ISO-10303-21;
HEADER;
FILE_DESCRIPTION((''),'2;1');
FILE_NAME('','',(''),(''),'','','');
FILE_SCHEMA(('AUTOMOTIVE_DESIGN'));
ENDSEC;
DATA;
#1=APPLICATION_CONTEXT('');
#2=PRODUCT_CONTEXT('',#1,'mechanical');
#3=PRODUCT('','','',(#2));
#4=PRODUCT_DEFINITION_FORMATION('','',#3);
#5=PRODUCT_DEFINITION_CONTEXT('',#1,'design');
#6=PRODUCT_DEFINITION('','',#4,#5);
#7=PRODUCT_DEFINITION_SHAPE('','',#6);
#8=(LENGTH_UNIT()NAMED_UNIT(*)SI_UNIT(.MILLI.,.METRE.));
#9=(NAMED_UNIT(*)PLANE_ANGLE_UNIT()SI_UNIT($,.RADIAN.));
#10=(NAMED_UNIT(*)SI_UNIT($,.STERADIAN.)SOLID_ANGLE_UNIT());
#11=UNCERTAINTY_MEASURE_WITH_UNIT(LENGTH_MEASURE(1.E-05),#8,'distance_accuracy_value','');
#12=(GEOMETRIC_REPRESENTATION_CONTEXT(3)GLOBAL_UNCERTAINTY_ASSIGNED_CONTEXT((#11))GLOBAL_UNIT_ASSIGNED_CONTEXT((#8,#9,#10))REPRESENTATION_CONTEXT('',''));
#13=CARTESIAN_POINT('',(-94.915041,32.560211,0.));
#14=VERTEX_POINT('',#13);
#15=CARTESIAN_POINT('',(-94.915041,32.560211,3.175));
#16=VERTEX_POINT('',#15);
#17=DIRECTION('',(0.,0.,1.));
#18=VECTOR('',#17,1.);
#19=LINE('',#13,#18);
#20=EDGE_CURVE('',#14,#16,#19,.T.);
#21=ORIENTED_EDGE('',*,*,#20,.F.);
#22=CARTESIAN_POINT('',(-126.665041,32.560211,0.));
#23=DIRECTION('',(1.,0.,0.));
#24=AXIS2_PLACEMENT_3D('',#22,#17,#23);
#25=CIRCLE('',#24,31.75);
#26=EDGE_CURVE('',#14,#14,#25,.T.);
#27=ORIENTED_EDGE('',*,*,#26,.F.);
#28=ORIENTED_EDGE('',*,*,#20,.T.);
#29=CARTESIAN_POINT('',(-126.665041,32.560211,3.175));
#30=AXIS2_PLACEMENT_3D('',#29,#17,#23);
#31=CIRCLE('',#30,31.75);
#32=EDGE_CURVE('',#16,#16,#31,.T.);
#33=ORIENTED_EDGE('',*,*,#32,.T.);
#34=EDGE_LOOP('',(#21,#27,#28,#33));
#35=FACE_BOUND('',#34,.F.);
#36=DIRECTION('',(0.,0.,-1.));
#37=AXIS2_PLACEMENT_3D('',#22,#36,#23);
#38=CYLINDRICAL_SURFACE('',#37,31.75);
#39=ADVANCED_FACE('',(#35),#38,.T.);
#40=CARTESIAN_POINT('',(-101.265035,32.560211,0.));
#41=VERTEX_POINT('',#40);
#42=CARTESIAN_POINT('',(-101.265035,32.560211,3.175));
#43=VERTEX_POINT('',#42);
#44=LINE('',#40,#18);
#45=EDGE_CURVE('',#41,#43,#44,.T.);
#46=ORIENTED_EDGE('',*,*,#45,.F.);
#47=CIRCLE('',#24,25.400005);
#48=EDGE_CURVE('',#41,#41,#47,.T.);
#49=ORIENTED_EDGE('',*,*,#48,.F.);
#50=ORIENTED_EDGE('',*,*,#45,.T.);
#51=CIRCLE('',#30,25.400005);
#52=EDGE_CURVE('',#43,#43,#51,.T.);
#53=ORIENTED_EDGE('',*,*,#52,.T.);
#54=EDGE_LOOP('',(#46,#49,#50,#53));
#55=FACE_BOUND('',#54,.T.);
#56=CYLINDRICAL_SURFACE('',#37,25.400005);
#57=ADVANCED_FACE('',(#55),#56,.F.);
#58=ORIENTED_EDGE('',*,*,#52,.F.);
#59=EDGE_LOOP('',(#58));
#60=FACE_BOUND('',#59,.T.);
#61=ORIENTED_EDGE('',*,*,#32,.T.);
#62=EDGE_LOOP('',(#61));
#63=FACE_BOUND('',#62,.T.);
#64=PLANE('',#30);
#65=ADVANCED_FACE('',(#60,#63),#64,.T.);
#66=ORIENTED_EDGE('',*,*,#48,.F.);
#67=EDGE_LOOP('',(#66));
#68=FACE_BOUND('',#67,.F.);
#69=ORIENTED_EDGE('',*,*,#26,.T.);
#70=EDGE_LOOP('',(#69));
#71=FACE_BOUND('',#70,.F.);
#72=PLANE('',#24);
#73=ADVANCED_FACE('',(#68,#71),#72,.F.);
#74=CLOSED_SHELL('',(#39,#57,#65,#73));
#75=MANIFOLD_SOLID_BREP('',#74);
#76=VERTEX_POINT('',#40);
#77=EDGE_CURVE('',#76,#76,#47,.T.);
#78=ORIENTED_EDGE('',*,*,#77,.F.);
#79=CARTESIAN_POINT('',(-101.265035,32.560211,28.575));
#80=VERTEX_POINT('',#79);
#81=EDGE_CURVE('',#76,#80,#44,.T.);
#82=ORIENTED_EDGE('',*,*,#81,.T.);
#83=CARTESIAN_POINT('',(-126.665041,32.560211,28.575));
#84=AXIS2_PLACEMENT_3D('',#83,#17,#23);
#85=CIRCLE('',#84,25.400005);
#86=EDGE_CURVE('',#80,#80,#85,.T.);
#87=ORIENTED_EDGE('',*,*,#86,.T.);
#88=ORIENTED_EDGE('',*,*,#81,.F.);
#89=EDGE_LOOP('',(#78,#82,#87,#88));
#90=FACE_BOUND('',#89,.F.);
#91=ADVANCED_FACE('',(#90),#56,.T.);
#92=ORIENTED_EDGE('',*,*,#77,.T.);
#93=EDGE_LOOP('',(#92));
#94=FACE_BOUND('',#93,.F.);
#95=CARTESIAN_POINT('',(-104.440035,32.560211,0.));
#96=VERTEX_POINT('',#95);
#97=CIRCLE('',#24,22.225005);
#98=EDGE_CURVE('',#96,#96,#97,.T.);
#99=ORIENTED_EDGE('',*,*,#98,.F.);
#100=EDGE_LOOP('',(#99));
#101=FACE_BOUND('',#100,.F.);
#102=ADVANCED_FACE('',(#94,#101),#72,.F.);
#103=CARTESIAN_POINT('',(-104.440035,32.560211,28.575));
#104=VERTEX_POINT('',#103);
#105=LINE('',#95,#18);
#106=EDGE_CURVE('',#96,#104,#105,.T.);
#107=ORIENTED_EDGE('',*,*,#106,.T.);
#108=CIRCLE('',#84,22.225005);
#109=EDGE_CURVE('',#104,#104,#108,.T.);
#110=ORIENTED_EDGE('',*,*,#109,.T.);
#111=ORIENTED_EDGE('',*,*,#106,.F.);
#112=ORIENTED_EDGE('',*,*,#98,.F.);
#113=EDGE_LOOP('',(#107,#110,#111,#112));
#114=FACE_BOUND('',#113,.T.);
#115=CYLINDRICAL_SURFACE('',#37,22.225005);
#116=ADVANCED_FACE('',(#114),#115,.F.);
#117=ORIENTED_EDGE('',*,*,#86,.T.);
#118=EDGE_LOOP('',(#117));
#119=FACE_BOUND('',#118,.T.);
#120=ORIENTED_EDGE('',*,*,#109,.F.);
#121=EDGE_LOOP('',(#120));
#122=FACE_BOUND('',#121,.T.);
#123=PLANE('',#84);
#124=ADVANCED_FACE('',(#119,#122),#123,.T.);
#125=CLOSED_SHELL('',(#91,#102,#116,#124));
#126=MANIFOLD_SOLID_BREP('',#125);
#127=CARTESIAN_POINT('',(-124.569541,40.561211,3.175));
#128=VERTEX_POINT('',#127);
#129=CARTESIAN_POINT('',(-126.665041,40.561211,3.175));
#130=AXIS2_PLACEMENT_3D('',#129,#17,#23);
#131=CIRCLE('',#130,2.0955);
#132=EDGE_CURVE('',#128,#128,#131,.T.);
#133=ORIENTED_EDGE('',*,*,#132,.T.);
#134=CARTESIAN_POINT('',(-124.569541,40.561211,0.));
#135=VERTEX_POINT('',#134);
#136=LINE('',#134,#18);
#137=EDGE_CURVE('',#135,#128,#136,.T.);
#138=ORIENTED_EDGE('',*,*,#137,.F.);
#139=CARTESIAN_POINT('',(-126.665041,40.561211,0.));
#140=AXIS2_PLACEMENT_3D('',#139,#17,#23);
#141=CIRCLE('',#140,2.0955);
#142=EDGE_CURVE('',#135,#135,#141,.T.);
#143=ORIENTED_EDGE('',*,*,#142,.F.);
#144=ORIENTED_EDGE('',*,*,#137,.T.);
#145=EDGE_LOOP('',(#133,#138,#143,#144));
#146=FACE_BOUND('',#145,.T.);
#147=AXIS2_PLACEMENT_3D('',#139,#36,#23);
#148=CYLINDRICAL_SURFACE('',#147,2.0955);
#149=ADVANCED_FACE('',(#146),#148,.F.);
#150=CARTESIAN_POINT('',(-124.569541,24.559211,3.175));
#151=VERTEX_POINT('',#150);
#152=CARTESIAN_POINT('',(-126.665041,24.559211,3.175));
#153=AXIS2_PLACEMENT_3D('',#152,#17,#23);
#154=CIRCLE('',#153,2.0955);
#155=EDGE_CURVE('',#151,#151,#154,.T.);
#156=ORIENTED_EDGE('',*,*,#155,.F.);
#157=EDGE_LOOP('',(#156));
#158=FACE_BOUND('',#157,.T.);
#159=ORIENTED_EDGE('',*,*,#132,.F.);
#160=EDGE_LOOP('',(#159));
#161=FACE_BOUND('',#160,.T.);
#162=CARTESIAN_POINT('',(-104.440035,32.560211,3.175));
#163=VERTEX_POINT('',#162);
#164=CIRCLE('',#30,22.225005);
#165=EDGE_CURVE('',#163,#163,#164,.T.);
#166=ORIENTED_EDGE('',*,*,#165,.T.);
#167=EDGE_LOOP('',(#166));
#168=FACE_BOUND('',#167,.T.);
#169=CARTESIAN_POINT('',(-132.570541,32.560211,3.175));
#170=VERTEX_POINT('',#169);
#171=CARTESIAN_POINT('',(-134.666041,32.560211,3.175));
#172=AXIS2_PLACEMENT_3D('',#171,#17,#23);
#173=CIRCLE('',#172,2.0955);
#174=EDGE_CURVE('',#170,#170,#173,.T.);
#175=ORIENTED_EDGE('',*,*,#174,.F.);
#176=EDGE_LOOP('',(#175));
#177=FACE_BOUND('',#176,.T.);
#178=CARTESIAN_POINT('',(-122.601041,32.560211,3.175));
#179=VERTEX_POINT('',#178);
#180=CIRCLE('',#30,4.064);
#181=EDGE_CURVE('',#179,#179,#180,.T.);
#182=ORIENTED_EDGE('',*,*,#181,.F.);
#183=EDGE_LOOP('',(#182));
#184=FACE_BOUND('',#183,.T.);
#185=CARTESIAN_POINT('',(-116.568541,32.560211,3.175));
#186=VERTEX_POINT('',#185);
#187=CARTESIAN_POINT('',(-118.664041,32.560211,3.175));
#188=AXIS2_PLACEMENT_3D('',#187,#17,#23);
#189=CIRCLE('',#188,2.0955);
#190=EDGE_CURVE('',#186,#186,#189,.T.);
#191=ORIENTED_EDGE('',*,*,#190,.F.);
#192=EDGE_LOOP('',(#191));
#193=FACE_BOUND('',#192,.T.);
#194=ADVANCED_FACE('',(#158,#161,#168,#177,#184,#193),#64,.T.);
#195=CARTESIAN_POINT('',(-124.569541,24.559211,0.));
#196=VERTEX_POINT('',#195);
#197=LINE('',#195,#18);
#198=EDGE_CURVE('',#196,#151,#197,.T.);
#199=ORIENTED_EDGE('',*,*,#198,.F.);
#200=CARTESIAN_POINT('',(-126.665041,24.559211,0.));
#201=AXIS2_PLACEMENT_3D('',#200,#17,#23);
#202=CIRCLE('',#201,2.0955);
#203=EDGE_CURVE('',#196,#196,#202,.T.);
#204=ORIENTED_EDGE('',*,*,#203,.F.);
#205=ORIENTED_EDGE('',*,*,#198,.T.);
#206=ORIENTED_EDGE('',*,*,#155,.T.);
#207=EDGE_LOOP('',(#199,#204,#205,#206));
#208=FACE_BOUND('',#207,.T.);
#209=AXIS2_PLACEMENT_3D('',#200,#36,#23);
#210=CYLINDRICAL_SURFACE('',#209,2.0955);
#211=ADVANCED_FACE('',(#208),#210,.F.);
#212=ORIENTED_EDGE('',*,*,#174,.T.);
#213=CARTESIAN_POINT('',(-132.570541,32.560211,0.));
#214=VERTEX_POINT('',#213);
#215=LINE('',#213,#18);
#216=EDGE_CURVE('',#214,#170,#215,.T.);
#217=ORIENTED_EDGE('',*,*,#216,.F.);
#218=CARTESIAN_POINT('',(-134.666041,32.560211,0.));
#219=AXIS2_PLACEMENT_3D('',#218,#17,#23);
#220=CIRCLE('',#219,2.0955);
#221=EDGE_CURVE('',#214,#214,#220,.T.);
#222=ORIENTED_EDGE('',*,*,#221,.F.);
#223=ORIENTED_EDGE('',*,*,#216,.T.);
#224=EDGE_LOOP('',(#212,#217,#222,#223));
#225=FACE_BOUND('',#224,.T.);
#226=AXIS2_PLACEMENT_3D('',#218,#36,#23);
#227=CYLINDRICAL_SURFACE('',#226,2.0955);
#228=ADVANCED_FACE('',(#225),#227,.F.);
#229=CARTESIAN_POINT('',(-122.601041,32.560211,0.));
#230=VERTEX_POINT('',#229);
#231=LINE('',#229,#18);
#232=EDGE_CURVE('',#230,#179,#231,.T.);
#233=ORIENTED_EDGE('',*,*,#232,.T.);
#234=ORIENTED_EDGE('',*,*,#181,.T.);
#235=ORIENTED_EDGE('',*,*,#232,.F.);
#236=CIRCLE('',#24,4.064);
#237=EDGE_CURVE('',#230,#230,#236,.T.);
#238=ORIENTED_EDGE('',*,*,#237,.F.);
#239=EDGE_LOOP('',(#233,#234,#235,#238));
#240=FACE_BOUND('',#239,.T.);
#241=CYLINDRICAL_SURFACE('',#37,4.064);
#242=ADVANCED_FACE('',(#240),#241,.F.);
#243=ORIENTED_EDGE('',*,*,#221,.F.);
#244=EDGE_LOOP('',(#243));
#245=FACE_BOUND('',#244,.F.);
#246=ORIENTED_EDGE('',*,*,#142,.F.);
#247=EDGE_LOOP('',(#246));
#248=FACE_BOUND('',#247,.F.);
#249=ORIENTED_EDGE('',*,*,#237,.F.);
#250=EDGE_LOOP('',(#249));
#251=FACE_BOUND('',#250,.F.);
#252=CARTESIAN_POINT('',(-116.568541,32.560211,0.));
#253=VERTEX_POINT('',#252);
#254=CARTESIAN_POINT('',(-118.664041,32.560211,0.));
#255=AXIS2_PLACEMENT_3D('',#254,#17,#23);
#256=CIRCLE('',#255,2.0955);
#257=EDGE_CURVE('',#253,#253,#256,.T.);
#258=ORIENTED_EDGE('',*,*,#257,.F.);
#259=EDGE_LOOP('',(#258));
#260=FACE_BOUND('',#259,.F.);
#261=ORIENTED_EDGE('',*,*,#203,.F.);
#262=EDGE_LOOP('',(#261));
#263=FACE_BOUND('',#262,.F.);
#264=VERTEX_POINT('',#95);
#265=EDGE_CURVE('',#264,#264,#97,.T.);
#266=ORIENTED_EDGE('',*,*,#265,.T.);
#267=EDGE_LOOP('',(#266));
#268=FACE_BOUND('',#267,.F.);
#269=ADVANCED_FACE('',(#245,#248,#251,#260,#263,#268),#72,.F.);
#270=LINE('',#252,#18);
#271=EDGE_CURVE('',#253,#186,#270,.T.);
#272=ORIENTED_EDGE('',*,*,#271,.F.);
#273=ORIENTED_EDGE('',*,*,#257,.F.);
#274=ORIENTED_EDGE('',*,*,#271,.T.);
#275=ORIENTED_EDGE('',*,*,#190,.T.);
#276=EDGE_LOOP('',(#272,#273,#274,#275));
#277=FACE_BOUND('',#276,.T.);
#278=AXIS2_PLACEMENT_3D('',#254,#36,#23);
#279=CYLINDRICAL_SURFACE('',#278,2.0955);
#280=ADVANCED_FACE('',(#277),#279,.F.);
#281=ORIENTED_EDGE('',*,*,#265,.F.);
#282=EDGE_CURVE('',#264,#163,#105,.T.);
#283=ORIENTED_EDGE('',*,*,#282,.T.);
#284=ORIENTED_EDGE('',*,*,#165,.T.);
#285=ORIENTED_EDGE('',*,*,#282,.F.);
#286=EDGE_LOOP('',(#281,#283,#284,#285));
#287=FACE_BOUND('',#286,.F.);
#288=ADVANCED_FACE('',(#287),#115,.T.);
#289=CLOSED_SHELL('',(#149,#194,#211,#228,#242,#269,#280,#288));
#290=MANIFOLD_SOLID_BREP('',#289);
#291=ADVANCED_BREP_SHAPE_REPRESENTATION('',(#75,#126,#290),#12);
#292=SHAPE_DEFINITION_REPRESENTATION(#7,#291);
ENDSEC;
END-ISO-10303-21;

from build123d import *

# Parameters (mm, degrees)
F0_R     = 22.225005281
F0_R_2   = 2.0955
F0_R_3   = 4.064
F1_DEPTH = 3.175
F0_R_4   = 31.75
F0_R_5   = 25.400005281
F2_DEPTH = 28.575


with BuildPart() as f1:
    # F0 (on Top) → F1 (new body)
    with BuildSketch(Plane.XY):
        with Locations((-126.6650405397, 32.560210675)):
            Circle(F0_R)
        with Locations((-126.6650405397, 24.559210675)):
            Circle(F0_R_2, mode=Mode.SUBTRACT)
        with Locations((-134.6660405397, 32.560210675)):
            Circle(F0_R_2, mode=Mode.SUBTRACT)
        with Locations((-126.6650405397, 32.560210675)):
            Circle(F0_R_3, mode=Mode.SUBTRACT)
        with Locations((-118.6640405397, 32.560210675)):
            Circle(F0_R_2, mode=Mode.SUBTRACT)
        with Locations((-126.6650405397, 40.561210675)):
            Circle(F0_R_2, mode=Mode.SUBTRACT)
    extrude(amount=F1_DEPTH)


with BuildPart() as f1b:
    # F0 (on Top) → F1, piece 2 (new body)
    with BuildSketch(Plane.XY):
        with Locations((-126.6650405397, 32.560210675)):
            Circle(F0_R_4)
        with Locations((-126.6650405397, 32.560210675)):
            Circle(F0_R_5, mode=Mode.SUBTRACT)
    extrude(amount=F1_DEPTH)


with BuildPart() as f2:
    # F0 (on Top) → F2 (new body)
    with BuildSketch(Plane.XY):
        with Locations((-126.6650405397, 32.560210675)):
            Circle(F0_R_5)
        with Locations((-126.6650405397, 32.560210675)):
            Circle(F0_R, mode=Mode.SUBTRACT)
    extrude(amount=F2_DEPTH)


solid = Compound([f1.part, f1b.part, f2.part])
